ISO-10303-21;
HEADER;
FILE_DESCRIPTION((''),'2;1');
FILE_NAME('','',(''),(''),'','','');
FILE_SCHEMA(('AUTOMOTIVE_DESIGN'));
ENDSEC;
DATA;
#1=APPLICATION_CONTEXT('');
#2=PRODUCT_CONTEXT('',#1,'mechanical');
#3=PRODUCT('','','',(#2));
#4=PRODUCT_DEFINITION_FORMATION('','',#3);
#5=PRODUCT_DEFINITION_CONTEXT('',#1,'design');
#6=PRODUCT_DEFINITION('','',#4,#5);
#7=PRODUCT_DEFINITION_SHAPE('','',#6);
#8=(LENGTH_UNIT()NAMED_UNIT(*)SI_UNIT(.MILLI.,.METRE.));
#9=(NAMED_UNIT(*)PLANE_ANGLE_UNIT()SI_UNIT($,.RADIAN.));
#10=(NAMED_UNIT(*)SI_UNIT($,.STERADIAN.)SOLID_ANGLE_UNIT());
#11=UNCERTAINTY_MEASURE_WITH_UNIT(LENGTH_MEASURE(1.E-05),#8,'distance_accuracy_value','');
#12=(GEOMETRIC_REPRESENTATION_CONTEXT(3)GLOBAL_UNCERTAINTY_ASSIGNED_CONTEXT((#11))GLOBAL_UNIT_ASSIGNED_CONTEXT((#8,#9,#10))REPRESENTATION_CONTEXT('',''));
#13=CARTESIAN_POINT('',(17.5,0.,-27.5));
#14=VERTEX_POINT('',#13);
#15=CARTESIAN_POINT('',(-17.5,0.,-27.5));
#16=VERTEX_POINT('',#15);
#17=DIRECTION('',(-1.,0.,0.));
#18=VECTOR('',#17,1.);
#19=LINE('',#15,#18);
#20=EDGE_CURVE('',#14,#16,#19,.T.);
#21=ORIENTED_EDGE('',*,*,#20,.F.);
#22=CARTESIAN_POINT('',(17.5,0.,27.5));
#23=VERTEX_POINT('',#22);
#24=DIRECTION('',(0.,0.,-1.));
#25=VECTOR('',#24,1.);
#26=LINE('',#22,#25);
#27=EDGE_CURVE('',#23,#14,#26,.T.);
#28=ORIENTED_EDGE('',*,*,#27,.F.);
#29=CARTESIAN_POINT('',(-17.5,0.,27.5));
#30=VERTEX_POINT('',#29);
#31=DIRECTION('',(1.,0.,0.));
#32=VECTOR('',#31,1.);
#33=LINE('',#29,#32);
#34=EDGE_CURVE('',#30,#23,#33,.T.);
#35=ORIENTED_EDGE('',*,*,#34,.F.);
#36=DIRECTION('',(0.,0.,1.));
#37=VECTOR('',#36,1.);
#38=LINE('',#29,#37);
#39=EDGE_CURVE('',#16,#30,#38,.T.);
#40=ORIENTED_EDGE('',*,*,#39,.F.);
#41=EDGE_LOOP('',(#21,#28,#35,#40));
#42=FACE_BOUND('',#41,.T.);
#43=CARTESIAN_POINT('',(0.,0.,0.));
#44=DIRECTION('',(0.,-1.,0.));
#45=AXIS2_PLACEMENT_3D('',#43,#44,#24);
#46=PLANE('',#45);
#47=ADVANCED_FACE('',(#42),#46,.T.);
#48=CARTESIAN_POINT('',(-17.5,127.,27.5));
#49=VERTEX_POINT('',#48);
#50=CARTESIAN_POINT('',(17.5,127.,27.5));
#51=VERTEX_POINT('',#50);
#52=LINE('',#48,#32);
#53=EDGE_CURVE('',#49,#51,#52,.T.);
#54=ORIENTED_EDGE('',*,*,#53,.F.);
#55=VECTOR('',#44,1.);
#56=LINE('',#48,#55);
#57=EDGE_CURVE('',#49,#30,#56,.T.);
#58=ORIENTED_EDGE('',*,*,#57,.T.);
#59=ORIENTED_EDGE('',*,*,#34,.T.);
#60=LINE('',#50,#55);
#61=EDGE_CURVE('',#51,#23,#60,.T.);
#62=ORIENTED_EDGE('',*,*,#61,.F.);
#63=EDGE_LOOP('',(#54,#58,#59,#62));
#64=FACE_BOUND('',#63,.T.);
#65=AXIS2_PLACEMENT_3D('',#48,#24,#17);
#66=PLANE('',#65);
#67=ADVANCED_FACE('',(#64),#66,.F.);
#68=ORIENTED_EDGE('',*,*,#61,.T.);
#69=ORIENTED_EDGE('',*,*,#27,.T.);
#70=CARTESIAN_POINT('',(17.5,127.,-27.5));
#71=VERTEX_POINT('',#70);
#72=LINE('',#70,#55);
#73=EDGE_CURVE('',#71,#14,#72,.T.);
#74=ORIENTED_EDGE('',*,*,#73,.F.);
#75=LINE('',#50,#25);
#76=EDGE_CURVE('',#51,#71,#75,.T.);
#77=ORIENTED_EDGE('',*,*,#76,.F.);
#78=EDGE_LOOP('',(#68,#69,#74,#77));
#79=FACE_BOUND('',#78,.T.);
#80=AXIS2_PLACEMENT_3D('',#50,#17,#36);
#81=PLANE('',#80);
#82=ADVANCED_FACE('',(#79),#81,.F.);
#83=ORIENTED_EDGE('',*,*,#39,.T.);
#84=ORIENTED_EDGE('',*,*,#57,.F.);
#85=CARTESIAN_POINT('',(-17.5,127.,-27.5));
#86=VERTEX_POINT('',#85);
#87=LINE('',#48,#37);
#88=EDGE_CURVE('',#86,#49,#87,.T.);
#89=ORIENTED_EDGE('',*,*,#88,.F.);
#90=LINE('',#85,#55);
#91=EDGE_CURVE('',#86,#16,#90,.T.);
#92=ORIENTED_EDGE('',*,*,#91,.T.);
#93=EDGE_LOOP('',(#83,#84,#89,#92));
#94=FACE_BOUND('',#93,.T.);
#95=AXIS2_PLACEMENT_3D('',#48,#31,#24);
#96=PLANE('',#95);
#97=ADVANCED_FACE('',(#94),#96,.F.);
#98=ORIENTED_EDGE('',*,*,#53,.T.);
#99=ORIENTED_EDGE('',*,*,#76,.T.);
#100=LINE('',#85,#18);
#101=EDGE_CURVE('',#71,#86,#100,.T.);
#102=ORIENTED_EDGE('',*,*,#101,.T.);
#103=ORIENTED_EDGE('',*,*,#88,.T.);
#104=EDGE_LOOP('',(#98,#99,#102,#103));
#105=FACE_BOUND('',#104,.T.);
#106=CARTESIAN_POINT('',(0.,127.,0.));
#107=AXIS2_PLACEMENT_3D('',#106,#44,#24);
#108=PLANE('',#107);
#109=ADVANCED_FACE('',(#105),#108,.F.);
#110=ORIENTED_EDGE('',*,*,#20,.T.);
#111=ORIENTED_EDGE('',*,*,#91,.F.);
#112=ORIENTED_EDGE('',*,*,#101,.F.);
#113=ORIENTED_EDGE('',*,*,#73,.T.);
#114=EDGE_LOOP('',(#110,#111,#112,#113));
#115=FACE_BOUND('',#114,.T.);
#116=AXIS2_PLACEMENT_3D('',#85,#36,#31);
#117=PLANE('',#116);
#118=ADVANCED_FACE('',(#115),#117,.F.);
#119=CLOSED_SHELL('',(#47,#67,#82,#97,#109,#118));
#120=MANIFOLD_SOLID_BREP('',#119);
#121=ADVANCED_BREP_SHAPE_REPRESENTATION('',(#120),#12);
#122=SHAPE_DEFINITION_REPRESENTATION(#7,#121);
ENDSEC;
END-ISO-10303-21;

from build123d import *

# Parameters (mm, degrees)
SKETCH1_W           = 35
SKETCH1_H           = 55
BOSS_EXTRUDE1_DEPTH = 127


with BuildPart() as part:
    # Sketch1 → Boss-Extrude1 (new body)
    with BuildSketch(Plane(origin=(0, 0, 0), x_dir=(1, 0, 0), z_dir=(0, 1, 0))):
        Rectangle(SKETCH1_W, SKETCH1_H)
    extrude(amount=BOSS_EXTRUDE1_DEPTH)


solid = part.part
